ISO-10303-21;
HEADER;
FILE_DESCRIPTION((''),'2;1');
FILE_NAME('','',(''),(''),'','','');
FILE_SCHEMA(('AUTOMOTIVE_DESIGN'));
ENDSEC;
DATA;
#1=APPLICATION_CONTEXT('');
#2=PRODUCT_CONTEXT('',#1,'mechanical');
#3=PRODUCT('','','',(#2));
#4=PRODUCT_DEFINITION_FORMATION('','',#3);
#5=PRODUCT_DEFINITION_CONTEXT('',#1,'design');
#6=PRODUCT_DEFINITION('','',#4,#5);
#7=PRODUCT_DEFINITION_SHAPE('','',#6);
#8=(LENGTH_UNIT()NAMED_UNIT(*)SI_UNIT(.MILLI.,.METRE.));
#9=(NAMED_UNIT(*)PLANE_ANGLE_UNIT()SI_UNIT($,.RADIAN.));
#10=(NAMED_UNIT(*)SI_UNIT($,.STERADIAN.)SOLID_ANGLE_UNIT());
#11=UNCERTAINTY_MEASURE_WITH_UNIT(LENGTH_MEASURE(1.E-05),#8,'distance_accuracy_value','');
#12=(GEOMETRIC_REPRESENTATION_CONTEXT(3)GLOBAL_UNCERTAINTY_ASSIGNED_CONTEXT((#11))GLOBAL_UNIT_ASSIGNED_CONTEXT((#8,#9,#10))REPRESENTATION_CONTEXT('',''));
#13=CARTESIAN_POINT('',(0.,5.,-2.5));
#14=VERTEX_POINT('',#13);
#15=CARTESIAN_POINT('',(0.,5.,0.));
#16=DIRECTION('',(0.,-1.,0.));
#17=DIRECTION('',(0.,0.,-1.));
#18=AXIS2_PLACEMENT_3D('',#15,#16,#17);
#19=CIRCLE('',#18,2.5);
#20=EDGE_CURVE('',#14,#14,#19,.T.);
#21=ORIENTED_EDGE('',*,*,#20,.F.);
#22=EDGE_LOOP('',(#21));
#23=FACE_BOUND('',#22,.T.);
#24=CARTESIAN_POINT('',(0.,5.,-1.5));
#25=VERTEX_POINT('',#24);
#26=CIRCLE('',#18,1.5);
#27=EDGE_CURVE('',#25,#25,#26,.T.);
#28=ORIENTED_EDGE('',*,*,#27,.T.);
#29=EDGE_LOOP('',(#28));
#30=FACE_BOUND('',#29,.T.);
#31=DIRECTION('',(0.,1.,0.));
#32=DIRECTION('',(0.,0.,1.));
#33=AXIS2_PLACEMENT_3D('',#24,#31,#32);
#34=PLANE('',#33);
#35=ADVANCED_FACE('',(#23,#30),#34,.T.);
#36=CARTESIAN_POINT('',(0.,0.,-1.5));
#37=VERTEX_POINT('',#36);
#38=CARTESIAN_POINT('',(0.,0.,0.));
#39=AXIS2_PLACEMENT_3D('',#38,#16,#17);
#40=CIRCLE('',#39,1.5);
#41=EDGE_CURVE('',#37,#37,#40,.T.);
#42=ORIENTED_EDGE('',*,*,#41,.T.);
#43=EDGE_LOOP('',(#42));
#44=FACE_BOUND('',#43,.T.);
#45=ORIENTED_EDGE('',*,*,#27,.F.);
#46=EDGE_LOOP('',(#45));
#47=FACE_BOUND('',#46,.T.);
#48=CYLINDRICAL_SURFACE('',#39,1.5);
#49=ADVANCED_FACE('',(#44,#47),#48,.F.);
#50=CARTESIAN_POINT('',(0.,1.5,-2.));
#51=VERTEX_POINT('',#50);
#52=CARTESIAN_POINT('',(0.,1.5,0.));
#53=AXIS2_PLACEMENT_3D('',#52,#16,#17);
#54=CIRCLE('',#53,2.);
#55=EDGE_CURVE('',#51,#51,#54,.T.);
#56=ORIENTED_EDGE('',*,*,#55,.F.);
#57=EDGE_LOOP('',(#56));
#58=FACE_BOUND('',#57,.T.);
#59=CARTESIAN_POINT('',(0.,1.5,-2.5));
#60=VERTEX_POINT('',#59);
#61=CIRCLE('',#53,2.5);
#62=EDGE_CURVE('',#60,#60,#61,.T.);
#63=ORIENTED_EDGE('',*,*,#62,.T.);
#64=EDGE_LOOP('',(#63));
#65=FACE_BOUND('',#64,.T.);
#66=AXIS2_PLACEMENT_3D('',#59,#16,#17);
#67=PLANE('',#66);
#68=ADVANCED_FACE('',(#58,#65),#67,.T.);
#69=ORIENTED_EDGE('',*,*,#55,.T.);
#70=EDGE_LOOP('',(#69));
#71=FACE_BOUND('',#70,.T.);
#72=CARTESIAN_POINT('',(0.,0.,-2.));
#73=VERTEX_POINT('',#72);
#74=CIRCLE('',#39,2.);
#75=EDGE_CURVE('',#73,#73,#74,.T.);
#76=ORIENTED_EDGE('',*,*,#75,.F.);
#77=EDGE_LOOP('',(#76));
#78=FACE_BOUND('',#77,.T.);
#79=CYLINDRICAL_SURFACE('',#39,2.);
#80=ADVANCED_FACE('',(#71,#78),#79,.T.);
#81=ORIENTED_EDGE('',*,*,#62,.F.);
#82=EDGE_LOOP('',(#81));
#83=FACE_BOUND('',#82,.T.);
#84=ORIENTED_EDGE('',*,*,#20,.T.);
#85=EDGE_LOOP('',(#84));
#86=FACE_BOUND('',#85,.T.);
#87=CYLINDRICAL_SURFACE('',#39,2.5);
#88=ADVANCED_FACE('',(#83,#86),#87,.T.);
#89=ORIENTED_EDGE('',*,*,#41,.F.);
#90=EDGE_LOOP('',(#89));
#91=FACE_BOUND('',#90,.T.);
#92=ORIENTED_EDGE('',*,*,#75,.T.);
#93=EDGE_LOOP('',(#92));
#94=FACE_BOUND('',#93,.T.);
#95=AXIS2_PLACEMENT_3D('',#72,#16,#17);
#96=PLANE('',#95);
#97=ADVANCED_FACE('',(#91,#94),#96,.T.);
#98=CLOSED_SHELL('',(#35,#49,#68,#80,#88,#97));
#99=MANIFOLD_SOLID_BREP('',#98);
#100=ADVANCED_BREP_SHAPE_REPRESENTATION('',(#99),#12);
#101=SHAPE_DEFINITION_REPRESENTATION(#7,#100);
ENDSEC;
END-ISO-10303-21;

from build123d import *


with BuildPart() as part:
    # Sketch1 → Revolve1 (revolve)
    with BuildSketch(Plane(origin=(0, 0, 0), x_dir=(0, 0, -1), z_dir=(1, 0, 0))):
        Polygon((1.5, 0), (1.5, 5), (2.5, 5), (2.5, 1.5), (2, 1.5), (2, 0), align=None)
    revolve(axis=Axis((0, 0, 0), (0, 1, 0)))


solid = part.part
